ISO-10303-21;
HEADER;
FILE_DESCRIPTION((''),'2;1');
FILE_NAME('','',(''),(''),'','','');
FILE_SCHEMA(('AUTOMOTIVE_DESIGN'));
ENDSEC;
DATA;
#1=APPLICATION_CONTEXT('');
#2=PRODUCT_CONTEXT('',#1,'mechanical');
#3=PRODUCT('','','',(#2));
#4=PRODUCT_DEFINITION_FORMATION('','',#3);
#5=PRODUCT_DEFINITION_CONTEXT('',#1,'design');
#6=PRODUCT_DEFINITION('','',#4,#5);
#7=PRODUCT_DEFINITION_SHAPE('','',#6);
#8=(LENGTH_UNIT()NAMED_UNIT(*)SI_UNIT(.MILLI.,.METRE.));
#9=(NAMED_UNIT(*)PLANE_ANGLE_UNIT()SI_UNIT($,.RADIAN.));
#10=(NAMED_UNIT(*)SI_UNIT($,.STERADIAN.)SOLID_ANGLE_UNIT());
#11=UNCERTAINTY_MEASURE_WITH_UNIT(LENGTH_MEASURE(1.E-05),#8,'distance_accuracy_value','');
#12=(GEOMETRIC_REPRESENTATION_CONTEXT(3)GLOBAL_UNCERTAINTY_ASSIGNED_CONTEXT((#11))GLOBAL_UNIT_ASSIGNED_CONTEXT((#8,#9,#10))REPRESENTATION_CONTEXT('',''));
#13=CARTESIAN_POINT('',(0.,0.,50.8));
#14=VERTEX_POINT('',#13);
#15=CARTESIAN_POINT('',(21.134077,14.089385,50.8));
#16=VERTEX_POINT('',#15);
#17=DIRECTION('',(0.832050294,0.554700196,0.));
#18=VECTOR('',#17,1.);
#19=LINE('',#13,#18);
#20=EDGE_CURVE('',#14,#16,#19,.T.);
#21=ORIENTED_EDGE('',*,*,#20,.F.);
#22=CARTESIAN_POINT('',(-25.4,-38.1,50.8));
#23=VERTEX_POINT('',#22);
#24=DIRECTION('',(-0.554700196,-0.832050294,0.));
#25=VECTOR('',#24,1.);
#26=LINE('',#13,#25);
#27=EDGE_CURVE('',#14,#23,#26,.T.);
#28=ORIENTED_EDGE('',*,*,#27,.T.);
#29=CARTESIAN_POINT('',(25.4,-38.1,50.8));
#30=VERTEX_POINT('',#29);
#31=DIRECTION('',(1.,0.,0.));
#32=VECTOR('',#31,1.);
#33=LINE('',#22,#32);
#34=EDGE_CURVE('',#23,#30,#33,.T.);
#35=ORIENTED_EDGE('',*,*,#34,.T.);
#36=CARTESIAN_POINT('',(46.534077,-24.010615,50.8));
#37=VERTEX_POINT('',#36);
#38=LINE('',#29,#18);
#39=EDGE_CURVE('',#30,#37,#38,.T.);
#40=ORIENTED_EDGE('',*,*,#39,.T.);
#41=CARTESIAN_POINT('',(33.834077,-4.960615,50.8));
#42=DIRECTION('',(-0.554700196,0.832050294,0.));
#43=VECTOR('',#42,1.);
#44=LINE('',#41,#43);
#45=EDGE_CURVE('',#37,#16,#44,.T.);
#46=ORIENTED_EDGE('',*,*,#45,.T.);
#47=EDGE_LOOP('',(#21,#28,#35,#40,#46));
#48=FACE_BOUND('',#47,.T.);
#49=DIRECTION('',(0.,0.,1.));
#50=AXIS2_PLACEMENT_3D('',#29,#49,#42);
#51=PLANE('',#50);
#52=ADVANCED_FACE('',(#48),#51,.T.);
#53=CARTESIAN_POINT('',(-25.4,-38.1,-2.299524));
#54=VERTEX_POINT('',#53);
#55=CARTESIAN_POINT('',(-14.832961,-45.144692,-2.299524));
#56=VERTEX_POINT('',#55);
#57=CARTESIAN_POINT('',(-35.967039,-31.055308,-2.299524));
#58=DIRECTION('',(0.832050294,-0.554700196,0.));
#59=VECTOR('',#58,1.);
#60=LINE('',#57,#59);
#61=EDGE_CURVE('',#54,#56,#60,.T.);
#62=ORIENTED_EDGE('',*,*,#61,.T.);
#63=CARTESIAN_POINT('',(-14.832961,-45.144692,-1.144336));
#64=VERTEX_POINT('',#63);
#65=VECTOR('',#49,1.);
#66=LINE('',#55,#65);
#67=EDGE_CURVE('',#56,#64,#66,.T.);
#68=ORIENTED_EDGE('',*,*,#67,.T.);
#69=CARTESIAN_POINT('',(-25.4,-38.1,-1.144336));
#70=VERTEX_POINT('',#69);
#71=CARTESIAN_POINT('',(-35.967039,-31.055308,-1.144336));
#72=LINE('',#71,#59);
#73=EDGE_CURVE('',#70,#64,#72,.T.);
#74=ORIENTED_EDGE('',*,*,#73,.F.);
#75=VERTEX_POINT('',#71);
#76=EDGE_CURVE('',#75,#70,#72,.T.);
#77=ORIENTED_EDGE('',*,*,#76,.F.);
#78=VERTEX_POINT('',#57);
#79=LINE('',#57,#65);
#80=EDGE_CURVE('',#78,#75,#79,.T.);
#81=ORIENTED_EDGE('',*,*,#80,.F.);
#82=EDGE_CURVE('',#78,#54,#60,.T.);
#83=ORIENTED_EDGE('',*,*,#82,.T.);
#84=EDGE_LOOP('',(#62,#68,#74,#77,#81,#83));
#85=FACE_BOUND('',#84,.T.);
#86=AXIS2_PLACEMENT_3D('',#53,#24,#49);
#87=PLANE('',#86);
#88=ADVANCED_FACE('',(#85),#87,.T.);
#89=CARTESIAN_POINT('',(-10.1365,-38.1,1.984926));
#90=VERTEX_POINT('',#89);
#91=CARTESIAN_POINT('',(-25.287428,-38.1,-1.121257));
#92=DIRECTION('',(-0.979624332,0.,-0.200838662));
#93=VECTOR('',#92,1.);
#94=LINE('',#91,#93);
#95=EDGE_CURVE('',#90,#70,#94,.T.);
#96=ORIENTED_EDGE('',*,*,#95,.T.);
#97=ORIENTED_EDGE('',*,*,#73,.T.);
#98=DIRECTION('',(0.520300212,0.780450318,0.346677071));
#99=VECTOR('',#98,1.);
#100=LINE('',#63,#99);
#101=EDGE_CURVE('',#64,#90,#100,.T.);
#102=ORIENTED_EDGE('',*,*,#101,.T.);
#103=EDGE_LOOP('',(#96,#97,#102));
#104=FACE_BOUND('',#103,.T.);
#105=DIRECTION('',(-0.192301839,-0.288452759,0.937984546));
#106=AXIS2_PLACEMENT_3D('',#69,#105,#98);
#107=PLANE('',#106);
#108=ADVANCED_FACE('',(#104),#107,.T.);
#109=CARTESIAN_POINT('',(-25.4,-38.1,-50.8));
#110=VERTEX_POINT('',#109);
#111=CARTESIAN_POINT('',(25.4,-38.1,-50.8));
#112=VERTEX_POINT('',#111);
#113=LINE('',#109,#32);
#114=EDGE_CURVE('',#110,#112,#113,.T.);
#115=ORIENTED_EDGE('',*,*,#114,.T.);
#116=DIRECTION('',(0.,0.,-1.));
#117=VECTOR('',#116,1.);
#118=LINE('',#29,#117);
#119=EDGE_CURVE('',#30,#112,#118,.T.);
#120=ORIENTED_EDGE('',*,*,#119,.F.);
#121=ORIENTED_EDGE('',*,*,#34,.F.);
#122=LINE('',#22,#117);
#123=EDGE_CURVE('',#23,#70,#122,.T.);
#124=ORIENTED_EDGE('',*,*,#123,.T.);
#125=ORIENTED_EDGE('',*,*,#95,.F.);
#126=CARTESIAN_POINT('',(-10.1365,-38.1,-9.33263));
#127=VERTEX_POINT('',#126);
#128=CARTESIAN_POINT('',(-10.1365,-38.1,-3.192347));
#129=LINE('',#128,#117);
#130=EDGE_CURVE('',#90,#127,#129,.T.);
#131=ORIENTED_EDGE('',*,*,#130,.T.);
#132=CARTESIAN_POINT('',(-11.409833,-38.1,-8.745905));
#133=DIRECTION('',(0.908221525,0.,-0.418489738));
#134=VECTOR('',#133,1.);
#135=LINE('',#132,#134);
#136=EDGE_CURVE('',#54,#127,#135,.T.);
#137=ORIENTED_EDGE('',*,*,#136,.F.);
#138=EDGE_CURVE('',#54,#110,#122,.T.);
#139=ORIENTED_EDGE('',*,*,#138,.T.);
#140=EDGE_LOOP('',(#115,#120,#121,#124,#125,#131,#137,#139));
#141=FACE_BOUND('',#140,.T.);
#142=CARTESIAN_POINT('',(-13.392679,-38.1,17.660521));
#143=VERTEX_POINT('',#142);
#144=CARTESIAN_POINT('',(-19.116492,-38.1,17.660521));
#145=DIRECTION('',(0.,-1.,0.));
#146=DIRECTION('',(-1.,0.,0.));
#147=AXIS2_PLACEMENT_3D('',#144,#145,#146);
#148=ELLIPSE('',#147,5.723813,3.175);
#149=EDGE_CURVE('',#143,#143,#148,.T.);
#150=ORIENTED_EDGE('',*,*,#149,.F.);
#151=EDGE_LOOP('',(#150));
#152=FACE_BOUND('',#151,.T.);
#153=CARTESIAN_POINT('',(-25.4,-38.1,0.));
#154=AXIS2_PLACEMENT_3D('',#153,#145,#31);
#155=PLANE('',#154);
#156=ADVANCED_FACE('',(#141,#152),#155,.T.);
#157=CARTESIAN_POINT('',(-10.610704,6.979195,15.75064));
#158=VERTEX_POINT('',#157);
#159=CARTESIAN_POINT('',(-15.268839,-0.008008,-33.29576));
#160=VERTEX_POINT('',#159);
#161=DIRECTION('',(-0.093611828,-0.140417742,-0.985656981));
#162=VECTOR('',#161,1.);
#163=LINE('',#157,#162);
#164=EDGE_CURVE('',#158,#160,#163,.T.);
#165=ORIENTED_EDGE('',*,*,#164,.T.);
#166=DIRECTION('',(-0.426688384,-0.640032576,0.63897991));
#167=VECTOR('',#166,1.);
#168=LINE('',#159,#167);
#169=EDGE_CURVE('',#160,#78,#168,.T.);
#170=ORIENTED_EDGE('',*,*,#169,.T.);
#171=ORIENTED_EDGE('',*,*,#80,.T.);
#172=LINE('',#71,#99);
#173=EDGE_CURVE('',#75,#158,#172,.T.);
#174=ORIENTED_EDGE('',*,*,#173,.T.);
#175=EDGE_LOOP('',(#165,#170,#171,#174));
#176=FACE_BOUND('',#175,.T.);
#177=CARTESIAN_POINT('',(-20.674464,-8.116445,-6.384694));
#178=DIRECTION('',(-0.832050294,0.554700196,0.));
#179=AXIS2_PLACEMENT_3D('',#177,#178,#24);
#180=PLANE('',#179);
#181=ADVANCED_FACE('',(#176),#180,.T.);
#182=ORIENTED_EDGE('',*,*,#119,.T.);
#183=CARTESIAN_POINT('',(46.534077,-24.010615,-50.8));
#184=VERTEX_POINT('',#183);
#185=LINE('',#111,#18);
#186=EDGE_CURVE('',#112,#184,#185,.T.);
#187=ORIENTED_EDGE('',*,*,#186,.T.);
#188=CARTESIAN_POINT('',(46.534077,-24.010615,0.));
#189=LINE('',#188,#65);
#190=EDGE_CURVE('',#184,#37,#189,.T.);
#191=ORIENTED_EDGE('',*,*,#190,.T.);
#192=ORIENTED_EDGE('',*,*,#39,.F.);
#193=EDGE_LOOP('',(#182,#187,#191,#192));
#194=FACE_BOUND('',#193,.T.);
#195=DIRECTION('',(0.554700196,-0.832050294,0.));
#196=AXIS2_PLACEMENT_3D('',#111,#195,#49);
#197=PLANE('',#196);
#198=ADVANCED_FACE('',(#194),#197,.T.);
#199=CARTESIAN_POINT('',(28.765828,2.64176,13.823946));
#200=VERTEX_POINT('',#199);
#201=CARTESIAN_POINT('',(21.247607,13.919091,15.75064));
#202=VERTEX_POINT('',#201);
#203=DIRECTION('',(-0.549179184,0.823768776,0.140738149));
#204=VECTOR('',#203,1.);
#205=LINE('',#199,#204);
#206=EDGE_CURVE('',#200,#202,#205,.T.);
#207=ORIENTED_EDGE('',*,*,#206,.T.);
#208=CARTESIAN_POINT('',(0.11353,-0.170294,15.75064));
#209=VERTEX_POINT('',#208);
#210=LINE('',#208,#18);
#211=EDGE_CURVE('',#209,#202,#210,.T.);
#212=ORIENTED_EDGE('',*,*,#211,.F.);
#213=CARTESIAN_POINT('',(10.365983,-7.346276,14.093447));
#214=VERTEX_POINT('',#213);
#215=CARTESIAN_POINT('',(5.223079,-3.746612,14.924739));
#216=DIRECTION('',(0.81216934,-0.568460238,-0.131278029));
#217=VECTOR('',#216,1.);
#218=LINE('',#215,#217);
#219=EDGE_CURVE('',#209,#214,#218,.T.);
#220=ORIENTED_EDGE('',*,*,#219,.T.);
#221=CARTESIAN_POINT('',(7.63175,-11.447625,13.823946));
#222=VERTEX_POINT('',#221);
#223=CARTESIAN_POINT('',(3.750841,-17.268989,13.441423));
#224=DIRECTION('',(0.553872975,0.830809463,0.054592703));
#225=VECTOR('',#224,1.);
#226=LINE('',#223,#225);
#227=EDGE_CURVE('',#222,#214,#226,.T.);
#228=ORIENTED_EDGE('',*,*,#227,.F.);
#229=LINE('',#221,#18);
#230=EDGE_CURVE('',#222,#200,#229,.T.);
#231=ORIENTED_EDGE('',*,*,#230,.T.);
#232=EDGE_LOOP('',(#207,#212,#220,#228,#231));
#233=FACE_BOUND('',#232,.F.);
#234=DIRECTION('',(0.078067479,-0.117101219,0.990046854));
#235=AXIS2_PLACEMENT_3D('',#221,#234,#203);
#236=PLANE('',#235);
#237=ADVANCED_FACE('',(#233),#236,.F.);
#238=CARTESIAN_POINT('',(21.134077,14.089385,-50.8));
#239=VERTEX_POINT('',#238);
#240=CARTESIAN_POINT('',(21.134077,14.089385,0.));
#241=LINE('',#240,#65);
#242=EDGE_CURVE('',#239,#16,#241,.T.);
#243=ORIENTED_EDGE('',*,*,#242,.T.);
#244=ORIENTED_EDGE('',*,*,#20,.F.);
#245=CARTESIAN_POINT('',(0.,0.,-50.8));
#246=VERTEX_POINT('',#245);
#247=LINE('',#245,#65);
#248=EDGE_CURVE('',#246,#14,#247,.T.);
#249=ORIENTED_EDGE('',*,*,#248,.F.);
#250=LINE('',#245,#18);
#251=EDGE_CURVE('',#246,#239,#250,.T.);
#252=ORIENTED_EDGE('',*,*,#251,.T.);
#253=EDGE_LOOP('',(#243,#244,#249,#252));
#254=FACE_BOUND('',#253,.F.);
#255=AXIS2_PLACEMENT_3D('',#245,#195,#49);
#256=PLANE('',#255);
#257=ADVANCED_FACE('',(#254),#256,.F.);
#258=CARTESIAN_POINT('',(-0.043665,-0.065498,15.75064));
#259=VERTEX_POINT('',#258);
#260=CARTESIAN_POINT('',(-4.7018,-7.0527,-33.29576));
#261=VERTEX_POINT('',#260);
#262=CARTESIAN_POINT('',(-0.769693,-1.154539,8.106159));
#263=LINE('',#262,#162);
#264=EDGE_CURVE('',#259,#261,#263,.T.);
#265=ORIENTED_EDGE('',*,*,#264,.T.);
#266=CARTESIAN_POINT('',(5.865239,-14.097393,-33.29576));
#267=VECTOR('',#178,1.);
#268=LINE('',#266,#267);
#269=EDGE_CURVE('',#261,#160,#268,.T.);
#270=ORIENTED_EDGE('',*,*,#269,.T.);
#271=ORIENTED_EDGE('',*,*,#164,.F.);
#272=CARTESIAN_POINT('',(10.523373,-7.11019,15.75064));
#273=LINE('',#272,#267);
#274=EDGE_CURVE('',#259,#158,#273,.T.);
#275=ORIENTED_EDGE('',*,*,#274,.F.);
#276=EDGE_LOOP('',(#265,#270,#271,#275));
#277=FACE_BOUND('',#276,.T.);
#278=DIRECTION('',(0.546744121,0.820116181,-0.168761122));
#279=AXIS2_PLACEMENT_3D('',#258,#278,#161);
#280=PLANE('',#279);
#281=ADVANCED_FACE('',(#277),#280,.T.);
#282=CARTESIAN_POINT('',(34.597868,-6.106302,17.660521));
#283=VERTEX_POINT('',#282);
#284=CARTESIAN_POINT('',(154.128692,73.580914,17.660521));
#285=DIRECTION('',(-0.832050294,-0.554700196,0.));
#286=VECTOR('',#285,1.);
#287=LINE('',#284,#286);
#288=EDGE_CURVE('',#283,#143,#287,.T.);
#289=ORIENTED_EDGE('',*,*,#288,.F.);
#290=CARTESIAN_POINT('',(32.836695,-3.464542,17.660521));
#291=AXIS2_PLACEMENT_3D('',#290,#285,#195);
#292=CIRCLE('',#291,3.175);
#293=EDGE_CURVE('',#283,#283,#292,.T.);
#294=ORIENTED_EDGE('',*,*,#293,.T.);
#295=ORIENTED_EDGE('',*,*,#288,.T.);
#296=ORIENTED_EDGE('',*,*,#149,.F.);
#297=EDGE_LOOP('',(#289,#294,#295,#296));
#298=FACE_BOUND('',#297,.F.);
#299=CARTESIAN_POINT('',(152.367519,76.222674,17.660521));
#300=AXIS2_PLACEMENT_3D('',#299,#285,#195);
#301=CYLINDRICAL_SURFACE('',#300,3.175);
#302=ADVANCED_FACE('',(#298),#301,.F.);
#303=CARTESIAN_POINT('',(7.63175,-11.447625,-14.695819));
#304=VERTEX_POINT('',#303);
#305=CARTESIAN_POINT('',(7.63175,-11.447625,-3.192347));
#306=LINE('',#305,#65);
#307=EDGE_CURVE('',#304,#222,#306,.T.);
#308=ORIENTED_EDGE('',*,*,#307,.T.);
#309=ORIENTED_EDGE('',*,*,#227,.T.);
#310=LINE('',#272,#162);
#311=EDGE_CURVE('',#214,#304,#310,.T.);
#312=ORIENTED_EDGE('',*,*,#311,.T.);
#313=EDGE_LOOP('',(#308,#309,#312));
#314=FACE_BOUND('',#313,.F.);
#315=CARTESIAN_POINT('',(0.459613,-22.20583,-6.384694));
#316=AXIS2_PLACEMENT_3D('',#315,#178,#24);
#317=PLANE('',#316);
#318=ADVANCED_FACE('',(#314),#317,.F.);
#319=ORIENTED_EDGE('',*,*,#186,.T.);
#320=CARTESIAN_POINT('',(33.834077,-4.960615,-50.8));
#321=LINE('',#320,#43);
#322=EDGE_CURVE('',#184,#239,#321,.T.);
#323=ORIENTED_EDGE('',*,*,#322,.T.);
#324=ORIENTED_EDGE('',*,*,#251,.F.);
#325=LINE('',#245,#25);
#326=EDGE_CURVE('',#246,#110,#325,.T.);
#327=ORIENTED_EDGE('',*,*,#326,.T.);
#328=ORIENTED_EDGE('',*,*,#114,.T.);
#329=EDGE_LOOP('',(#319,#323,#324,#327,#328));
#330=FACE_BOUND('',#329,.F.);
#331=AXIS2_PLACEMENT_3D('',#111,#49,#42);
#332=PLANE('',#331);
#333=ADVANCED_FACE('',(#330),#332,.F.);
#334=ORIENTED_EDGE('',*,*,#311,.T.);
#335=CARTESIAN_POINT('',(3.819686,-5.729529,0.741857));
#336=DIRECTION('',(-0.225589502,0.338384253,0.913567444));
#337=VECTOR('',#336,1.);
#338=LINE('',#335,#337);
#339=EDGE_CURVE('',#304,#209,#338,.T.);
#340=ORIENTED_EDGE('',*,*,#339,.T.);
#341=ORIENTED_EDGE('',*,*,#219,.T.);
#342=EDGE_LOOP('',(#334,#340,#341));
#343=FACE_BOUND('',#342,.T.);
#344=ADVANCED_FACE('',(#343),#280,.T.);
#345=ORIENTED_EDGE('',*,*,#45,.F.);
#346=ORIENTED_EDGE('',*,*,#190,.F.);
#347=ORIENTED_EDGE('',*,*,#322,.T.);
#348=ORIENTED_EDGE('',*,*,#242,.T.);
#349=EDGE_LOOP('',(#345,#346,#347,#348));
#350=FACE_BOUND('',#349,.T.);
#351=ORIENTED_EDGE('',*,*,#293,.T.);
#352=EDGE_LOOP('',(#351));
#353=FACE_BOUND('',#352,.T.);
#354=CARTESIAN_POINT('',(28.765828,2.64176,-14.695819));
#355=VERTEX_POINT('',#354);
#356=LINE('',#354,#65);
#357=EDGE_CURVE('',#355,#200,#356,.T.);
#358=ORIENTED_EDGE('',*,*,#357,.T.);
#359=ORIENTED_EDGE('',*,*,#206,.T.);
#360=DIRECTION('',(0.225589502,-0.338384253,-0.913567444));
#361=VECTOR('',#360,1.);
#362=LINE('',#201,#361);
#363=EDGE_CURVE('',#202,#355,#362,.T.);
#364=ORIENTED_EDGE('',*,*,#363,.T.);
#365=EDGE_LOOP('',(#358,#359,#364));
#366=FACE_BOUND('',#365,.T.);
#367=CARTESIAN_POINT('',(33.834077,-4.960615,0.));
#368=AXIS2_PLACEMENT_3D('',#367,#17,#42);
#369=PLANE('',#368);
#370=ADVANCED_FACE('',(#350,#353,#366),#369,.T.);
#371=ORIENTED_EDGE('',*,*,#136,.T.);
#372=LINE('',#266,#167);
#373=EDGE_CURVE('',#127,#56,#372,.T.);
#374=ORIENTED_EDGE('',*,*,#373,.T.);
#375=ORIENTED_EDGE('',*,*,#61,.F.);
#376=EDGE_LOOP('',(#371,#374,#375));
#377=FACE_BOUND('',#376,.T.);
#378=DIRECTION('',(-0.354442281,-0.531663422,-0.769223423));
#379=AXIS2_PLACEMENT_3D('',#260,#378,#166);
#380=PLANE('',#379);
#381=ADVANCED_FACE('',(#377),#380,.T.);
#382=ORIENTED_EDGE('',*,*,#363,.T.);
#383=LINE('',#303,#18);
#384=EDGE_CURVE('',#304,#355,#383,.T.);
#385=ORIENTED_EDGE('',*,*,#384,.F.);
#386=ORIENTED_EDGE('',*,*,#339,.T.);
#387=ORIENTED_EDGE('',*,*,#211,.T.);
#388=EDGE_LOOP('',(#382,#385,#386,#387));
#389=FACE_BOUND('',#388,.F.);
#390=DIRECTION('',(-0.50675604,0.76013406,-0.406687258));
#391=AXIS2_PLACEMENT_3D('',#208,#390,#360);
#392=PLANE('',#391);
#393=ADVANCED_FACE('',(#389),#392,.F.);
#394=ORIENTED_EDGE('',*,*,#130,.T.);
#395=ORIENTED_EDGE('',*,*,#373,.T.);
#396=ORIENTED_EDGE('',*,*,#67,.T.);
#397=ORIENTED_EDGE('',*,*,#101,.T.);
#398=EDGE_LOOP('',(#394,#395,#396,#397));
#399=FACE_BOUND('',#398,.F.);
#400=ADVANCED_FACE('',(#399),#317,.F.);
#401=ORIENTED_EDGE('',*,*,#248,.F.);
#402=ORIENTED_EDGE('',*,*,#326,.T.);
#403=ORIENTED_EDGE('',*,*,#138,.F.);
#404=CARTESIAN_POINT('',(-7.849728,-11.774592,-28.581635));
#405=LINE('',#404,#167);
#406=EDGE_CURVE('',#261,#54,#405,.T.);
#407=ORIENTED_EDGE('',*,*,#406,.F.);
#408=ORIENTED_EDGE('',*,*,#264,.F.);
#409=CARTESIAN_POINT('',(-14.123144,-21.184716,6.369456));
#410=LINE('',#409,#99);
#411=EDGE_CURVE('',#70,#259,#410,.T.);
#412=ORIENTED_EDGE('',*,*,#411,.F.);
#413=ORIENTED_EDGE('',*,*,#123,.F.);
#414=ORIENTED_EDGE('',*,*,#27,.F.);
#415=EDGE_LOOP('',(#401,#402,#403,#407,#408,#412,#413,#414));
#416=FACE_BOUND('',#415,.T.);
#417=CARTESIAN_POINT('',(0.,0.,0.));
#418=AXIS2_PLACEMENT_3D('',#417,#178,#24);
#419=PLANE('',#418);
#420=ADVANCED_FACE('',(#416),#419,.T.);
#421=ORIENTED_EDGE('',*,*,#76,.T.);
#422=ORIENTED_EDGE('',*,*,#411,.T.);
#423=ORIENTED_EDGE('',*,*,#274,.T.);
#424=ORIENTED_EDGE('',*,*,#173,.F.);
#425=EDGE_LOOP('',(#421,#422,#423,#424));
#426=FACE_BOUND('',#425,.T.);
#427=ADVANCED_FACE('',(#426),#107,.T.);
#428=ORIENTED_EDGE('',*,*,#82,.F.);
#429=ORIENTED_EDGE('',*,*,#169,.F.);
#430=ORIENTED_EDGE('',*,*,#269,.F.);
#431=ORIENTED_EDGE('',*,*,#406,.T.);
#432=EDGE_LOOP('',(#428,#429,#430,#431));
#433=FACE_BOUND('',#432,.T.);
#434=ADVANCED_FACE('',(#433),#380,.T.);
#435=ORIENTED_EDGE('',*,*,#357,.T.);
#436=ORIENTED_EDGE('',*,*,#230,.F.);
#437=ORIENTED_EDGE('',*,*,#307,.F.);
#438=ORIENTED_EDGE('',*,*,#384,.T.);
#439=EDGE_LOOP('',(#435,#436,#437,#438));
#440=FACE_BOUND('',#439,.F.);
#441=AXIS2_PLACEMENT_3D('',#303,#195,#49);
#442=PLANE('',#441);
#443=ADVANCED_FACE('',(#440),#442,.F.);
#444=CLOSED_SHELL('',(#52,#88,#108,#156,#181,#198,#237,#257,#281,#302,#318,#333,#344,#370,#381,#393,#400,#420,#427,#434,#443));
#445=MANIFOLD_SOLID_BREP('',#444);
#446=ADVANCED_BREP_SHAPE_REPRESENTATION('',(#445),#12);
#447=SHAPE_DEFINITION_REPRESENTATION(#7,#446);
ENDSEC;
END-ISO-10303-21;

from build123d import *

# Parameters (mm, degrees)
F1_DEPTH = 50.8
F3_DEPTH = 12.7
F4_W     = 45.7905011984
F4_H     = 101.6
F4_R     = 12.307725437
F4_R_2   = 8.8836456499
F5_DEPTH = 25.4
F7_D     = 6.35


with BuildPart() as f1:
    # F0 (on Top) → F1 (new body, symmetric)
    with BuildSketch(Plane.XY):
        Polygon((25.4, -38.1), (0, 0), (-25.4, -38.1), align=None)
    extrude(amount=F1_DEPTH, both=True)

    # F2 (on face) → F3 (join, symmetric)
    with BuildSketch(Plane(origin=(0, 0, 0), x_dir=(-0.5547001962, -0.8320502943, 0), z_dir=(-0.8320502943, 0.5547001962, 0))):
        Polygon((45.7905011984, -1.1443360425), (0.0787186434, 15.7506404887), (8.4762908518, -33.2957603969), (45.7905011984, -2.2995244172), align=None)
    extrude(amount=F3_DEPTH, both=True)

    # F4 (on face) → F5 (join)
    with BuildSketch(Plane(origin=(0, 0, 0), x_dir=(-0.5547001962, 0.8320502943, 0), z_dir=(0.8320502943, 0.5547001962, 0))):
        with Locations((-22.8952505992, 0)):
            Rectangle(F4_W, F4_H)
        with Locations((-26.547158137, -29.2638558894)):
            Circle(F4_R, mode=Mode.SUBTRACT)
        with Locations((-24.961175397, -4.7561856918)):
            Circle(F4_R_2, mode=Mode.SUBTRACT)
        Polygon((-13.7583333333, -14.695818583), (-13.7583333333, 13.8239461095), (-0.2046684728, 15.7506404887), align=None, mode=Mode.SUBTRACT)
        with Locations((-26.547158137, -29.2638558894)):
            Circle(F4_R)
        with Locations((-24.961175397, -4.7561856918)):
            Circle(F4_R_2)
    extrude(amount=F5_DEPTH)

    # F7 (through all)
    with Locations(Plane(origin=(21.1340774762, 14.0893849841, 0), x_dir=(-0.5547001962, 0.8320502943, 0), z_dir=(0.8320502943, 0.5547001962, 0))):
        with Locations((-21.0971944034, 17.6605209708)):
            Hole(F7_D / 2)


solid = f1.part
